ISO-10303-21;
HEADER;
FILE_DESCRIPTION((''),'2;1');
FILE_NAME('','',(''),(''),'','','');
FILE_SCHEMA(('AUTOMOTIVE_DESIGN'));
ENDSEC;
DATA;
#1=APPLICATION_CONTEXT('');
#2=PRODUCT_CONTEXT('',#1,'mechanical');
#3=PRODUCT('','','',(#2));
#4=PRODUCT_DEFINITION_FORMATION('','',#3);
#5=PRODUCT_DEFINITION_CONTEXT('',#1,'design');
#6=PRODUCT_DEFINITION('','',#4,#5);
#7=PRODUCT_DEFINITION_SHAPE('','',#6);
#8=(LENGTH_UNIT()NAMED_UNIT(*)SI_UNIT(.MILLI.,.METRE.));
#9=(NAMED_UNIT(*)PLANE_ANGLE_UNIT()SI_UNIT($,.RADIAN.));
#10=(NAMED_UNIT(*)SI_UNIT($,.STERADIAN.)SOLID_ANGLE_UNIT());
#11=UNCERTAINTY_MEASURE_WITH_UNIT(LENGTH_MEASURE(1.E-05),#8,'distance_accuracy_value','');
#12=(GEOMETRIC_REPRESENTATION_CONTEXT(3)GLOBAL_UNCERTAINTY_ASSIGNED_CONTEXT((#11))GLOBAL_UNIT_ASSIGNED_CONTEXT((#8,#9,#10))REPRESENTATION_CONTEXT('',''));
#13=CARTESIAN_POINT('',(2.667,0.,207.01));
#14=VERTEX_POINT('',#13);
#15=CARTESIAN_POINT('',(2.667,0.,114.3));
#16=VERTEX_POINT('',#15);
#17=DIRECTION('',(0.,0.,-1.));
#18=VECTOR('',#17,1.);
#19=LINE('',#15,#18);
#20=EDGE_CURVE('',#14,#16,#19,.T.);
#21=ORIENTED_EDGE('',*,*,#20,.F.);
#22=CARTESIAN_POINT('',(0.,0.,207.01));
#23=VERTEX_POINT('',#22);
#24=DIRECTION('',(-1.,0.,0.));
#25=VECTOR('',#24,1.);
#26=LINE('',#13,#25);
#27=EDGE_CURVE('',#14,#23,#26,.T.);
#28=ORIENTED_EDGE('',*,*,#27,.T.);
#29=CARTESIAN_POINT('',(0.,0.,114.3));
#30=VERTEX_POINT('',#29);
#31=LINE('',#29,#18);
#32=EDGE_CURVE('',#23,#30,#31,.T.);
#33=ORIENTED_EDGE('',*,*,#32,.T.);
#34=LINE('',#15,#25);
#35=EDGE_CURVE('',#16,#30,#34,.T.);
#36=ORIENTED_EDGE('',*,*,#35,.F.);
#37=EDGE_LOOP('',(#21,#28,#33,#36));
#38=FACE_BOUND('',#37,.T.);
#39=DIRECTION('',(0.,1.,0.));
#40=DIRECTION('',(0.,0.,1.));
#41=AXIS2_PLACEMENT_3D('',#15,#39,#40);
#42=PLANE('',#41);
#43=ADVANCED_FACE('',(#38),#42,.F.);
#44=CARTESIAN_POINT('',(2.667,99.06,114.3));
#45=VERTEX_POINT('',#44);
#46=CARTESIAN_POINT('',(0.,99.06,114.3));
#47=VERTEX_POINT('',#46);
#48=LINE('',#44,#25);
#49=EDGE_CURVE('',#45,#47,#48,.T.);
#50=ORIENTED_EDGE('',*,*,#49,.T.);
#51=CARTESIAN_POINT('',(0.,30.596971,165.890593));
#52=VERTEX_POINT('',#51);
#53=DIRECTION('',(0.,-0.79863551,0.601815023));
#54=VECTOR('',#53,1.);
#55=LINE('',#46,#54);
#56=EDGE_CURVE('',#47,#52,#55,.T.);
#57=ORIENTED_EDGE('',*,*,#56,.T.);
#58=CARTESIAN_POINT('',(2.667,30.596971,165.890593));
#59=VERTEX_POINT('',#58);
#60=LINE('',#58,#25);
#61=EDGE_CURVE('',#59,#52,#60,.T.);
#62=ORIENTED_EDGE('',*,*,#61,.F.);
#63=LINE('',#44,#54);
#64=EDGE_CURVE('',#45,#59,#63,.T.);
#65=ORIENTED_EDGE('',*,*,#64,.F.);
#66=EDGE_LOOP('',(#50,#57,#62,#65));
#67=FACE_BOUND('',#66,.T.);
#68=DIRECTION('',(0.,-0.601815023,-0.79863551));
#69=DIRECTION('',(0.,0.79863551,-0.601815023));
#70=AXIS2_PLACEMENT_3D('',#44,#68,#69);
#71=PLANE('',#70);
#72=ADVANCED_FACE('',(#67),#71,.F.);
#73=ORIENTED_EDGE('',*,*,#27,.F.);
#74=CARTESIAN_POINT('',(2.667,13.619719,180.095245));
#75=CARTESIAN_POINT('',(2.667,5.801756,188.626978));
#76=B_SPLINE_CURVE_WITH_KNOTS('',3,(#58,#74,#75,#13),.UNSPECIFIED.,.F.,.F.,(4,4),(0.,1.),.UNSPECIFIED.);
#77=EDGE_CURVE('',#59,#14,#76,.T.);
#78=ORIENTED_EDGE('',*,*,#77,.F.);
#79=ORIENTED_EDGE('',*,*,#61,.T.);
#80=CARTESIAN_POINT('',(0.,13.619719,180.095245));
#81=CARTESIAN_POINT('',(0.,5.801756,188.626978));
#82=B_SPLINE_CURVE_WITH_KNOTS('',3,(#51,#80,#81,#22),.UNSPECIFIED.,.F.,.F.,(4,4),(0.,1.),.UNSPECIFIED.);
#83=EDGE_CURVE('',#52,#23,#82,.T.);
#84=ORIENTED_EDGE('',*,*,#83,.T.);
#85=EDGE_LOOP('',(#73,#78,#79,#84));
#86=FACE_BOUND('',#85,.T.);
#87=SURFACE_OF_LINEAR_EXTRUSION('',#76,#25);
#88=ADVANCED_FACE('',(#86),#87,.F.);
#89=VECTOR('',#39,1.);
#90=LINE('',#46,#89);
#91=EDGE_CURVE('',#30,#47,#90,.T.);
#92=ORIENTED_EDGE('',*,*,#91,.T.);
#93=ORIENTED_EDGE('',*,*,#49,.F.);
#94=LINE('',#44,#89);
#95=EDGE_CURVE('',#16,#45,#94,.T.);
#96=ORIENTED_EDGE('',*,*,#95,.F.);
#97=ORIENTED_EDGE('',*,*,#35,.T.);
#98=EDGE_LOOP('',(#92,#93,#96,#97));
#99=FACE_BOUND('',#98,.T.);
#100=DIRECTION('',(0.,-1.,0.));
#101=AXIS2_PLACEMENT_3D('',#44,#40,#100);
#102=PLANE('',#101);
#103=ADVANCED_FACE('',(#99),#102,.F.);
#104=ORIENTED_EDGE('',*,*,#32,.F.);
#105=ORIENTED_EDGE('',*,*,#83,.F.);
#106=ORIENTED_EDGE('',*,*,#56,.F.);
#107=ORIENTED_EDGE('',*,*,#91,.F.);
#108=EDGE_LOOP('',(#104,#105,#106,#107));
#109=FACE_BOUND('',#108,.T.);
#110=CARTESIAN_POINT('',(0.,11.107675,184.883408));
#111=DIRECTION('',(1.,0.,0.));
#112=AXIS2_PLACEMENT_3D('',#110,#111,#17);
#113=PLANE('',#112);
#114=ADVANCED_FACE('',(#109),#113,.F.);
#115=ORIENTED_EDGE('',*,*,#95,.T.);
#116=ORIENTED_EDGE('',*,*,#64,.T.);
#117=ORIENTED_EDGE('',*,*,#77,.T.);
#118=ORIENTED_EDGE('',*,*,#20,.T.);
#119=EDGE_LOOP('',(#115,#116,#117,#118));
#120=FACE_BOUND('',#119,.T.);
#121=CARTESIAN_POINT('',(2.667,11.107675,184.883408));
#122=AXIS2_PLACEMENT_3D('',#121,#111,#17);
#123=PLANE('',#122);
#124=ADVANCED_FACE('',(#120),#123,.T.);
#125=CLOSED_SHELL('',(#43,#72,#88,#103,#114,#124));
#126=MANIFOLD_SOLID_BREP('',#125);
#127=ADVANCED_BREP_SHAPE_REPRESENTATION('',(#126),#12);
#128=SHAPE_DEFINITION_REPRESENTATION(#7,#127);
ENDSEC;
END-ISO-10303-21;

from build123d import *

# Parameters (mm, degrees)
BOSS_EXTRUDE1_DEPTH = 2.667


with BuildPart() as part:
    # Sketch1 → Boss-Extrude1 (new body)
    with BuildSketch(Plane(origin=(0, 0, 0), x_dir=(0, 0, -1), z_dir=(1, 0, 0))):
        with BuildLine():
            Line((-114.3, 99.06), (-114.3, 0))
            Line((-114.3, 0), (-207.01, 0))
            add(Edge.make_bspline(
                [(-165.89059286, 30.596970901), (-180.095244782, 13.619718651), (-188.62697832, 5.80175639), (-207.01, 0)],
                knots=[0, 0, 0, 0, 1, 1, 1, 1], degree=3))
            Line((-165.89059286, 30.596970901), (-114.3, 99.06))
        make_face()
    extrude(amount=BOSS_EXTRUDE1_DEPTH)


solid = part.part
